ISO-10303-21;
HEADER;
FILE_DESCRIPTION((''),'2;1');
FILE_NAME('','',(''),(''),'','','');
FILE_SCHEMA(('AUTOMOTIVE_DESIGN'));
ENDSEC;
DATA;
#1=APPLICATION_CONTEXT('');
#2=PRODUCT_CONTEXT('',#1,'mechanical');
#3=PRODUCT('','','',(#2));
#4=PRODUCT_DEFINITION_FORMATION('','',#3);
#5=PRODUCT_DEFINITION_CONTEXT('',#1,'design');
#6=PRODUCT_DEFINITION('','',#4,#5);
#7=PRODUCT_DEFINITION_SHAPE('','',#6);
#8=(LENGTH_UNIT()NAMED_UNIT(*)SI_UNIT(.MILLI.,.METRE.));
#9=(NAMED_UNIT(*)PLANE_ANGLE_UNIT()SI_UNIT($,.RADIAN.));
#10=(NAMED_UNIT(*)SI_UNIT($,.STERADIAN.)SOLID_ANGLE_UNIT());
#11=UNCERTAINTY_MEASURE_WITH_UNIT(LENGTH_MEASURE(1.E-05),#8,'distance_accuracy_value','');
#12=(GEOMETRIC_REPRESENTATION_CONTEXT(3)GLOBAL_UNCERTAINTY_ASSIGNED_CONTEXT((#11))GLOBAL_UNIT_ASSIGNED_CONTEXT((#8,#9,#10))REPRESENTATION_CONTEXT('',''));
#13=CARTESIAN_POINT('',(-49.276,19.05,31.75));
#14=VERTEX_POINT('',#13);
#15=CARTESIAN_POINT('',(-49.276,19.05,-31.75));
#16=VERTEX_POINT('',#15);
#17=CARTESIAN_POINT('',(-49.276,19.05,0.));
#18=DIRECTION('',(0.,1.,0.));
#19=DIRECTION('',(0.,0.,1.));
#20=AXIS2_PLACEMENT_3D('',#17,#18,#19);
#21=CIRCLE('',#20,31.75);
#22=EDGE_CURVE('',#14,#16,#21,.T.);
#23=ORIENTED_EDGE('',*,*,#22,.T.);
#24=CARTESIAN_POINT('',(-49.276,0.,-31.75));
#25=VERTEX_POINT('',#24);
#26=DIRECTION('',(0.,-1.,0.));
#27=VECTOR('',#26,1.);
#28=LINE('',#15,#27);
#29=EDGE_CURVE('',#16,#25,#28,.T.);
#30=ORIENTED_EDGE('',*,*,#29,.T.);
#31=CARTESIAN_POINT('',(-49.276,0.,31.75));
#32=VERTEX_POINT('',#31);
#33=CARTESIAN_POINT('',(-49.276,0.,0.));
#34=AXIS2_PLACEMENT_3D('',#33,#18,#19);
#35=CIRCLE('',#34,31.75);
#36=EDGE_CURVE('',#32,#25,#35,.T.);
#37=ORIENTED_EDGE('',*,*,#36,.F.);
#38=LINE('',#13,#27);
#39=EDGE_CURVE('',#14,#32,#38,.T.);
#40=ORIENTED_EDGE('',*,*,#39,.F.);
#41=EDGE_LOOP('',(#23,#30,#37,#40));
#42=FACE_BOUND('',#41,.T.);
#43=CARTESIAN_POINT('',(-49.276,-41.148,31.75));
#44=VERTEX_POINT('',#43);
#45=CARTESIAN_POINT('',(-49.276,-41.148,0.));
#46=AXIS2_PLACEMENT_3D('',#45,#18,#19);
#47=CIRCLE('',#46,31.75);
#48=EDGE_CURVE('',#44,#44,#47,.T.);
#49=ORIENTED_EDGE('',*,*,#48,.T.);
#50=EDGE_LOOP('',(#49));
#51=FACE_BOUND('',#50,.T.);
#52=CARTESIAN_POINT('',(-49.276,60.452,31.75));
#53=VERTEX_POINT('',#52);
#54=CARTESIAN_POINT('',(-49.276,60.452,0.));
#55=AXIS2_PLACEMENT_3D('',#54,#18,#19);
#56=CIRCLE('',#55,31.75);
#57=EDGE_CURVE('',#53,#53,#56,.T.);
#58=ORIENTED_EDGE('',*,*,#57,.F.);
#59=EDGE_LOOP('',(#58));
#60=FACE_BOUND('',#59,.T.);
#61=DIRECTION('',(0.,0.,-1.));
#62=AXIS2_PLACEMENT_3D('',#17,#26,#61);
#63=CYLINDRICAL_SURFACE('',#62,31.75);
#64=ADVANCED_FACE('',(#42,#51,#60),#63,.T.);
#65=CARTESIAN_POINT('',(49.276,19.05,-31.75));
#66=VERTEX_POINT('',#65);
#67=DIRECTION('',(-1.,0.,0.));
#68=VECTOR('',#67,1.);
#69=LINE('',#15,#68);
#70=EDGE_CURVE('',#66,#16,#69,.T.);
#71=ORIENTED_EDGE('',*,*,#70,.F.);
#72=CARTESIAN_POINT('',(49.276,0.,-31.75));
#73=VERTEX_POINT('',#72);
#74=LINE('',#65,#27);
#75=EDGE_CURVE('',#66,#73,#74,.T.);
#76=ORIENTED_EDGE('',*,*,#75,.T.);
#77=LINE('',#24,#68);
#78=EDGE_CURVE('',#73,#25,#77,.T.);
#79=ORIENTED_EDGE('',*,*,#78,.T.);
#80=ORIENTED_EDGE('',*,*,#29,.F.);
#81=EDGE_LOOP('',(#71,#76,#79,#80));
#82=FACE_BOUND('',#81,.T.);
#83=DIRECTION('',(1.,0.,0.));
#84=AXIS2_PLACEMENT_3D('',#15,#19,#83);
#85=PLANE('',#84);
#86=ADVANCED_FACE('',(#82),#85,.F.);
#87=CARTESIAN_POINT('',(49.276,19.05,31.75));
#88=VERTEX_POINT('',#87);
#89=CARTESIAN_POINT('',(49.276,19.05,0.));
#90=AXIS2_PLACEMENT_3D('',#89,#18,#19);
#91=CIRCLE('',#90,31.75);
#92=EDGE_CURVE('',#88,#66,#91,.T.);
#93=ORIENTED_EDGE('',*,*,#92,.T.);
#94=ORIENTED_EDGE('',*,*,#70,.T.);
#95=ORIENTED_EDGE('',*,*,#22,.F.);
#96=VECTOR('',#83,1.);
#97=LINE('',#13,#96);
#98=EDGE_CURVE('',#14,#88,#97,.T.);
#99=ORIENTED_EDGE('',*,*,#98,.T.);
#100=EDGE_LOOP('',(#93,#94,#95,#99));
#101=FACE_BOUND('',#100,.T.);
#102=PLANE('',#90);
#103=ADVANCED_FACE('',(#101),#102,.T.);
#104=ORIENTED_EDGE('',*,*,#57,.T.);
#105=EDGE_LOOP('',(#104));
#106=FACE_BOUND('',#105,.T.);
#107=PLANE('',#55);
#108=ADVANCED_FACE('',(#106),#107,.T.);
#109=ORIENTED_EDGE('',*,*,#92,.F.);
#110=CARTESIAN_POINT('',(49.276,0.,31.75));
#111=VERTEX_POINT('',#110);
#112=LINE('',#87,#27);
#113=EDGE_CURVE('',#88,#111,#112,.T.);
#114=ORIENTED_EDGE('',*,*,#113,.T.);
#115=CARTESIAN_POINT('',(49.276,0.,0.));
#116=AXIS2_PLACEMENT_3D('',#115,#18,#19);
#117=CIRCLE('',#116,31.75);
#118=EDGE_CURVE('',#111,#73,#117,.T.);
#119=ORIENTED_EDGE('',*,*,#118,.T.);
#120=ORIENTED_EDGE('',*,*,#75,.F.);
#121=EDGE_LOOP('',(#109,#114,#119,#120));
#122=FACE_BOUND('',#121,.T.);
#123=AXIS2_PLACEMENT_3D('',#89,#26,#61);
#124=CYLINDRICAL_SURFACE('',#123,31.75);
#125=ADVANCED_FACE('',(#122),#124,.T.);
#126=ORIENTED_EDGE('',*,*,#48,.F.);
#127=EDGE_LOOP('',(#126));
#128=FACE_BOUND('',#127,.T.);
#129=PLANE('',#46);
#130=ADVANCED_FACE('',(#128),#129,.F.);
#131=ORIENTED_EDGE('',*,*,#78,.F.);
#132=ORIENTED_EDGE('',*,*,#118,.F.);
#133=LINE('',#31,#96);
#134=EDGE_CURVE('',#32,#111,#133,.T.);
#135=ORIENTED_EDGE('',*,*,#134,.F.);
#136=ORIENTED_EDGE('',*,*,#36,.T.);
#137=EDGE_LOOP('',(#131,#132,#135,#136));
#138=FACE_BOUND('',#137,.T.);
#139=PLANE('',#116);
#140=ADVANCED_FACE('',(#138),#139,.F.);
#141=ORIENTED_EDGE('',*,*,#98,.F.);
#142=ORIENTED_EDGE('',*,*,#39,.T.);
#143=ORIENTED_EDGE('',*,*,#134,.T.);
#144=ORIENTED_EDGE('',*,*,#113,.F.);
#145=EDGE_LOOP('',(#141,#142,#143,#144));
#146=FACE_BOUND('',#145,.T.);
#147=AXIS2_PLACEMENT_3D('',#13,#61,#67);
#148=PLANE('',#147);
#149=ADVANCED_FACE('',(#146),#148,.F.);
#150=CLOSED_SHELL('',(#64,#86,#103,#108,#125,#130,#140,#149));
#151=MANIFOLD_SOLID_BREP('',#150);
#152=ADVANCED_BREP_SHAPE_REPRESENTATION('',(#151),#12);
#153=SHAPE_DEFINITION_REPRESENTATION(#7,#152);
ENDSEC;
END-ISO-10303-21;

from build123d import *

# Parameters (mm, degrees)
BOSS_EXTRUDE1_DEPTH      = 19.05
SKETCH3_R                = 31.75
BOSS_EXTRUDE2_DEPTH      = 41.402
BOSS_EXTRUDE2_DEPTH_BACK = 60.198


with BuildPart() as part:
    # Sketch1 → Boss-Extrude1 (new body)
    with BuildSketch(Plane(origin=(0, 0, 0), x_dir=(1, 0, 0), z_dir=(0, 1, 0))):
        with BuildLine():
            Line((-49.276, 31.75), (49.276, 31.75))
            ThreePointArc((49.276, 31.75), (81.026, 0), (49.276, -31.75))
            Line((49.276, -31.75), (-49.276, -31.75))
            ThreePointArc((-49.276, -31.75), (-81.026, 0), (-49.276, 31.75))
        make_face()
    extrude(amount=BOSS_EXTRUDE1_DEPTH)

    # Sketch3 → Boss-Extrude2 (add, two sides)
    with BuildSketch(Plane(origin=(0, 19.05, 0), x_dir=(1, 0, 0), z_dir=(0, 1, 0))) as boss_extrude2_sk:
        with Locations(Location((-49.276, 0, 0), (0, 0, 270))):  # turned: the seam where the file's is
            Circle(SKETCH3_R)
    extrude(amount=BOSS_EXTRUDE2_DEPTH)
    extrude(boss_extrude2_sk.sketch, amount=-BOSS_EXTRUDE2_DEPTH_BACK)


solid = part.part
